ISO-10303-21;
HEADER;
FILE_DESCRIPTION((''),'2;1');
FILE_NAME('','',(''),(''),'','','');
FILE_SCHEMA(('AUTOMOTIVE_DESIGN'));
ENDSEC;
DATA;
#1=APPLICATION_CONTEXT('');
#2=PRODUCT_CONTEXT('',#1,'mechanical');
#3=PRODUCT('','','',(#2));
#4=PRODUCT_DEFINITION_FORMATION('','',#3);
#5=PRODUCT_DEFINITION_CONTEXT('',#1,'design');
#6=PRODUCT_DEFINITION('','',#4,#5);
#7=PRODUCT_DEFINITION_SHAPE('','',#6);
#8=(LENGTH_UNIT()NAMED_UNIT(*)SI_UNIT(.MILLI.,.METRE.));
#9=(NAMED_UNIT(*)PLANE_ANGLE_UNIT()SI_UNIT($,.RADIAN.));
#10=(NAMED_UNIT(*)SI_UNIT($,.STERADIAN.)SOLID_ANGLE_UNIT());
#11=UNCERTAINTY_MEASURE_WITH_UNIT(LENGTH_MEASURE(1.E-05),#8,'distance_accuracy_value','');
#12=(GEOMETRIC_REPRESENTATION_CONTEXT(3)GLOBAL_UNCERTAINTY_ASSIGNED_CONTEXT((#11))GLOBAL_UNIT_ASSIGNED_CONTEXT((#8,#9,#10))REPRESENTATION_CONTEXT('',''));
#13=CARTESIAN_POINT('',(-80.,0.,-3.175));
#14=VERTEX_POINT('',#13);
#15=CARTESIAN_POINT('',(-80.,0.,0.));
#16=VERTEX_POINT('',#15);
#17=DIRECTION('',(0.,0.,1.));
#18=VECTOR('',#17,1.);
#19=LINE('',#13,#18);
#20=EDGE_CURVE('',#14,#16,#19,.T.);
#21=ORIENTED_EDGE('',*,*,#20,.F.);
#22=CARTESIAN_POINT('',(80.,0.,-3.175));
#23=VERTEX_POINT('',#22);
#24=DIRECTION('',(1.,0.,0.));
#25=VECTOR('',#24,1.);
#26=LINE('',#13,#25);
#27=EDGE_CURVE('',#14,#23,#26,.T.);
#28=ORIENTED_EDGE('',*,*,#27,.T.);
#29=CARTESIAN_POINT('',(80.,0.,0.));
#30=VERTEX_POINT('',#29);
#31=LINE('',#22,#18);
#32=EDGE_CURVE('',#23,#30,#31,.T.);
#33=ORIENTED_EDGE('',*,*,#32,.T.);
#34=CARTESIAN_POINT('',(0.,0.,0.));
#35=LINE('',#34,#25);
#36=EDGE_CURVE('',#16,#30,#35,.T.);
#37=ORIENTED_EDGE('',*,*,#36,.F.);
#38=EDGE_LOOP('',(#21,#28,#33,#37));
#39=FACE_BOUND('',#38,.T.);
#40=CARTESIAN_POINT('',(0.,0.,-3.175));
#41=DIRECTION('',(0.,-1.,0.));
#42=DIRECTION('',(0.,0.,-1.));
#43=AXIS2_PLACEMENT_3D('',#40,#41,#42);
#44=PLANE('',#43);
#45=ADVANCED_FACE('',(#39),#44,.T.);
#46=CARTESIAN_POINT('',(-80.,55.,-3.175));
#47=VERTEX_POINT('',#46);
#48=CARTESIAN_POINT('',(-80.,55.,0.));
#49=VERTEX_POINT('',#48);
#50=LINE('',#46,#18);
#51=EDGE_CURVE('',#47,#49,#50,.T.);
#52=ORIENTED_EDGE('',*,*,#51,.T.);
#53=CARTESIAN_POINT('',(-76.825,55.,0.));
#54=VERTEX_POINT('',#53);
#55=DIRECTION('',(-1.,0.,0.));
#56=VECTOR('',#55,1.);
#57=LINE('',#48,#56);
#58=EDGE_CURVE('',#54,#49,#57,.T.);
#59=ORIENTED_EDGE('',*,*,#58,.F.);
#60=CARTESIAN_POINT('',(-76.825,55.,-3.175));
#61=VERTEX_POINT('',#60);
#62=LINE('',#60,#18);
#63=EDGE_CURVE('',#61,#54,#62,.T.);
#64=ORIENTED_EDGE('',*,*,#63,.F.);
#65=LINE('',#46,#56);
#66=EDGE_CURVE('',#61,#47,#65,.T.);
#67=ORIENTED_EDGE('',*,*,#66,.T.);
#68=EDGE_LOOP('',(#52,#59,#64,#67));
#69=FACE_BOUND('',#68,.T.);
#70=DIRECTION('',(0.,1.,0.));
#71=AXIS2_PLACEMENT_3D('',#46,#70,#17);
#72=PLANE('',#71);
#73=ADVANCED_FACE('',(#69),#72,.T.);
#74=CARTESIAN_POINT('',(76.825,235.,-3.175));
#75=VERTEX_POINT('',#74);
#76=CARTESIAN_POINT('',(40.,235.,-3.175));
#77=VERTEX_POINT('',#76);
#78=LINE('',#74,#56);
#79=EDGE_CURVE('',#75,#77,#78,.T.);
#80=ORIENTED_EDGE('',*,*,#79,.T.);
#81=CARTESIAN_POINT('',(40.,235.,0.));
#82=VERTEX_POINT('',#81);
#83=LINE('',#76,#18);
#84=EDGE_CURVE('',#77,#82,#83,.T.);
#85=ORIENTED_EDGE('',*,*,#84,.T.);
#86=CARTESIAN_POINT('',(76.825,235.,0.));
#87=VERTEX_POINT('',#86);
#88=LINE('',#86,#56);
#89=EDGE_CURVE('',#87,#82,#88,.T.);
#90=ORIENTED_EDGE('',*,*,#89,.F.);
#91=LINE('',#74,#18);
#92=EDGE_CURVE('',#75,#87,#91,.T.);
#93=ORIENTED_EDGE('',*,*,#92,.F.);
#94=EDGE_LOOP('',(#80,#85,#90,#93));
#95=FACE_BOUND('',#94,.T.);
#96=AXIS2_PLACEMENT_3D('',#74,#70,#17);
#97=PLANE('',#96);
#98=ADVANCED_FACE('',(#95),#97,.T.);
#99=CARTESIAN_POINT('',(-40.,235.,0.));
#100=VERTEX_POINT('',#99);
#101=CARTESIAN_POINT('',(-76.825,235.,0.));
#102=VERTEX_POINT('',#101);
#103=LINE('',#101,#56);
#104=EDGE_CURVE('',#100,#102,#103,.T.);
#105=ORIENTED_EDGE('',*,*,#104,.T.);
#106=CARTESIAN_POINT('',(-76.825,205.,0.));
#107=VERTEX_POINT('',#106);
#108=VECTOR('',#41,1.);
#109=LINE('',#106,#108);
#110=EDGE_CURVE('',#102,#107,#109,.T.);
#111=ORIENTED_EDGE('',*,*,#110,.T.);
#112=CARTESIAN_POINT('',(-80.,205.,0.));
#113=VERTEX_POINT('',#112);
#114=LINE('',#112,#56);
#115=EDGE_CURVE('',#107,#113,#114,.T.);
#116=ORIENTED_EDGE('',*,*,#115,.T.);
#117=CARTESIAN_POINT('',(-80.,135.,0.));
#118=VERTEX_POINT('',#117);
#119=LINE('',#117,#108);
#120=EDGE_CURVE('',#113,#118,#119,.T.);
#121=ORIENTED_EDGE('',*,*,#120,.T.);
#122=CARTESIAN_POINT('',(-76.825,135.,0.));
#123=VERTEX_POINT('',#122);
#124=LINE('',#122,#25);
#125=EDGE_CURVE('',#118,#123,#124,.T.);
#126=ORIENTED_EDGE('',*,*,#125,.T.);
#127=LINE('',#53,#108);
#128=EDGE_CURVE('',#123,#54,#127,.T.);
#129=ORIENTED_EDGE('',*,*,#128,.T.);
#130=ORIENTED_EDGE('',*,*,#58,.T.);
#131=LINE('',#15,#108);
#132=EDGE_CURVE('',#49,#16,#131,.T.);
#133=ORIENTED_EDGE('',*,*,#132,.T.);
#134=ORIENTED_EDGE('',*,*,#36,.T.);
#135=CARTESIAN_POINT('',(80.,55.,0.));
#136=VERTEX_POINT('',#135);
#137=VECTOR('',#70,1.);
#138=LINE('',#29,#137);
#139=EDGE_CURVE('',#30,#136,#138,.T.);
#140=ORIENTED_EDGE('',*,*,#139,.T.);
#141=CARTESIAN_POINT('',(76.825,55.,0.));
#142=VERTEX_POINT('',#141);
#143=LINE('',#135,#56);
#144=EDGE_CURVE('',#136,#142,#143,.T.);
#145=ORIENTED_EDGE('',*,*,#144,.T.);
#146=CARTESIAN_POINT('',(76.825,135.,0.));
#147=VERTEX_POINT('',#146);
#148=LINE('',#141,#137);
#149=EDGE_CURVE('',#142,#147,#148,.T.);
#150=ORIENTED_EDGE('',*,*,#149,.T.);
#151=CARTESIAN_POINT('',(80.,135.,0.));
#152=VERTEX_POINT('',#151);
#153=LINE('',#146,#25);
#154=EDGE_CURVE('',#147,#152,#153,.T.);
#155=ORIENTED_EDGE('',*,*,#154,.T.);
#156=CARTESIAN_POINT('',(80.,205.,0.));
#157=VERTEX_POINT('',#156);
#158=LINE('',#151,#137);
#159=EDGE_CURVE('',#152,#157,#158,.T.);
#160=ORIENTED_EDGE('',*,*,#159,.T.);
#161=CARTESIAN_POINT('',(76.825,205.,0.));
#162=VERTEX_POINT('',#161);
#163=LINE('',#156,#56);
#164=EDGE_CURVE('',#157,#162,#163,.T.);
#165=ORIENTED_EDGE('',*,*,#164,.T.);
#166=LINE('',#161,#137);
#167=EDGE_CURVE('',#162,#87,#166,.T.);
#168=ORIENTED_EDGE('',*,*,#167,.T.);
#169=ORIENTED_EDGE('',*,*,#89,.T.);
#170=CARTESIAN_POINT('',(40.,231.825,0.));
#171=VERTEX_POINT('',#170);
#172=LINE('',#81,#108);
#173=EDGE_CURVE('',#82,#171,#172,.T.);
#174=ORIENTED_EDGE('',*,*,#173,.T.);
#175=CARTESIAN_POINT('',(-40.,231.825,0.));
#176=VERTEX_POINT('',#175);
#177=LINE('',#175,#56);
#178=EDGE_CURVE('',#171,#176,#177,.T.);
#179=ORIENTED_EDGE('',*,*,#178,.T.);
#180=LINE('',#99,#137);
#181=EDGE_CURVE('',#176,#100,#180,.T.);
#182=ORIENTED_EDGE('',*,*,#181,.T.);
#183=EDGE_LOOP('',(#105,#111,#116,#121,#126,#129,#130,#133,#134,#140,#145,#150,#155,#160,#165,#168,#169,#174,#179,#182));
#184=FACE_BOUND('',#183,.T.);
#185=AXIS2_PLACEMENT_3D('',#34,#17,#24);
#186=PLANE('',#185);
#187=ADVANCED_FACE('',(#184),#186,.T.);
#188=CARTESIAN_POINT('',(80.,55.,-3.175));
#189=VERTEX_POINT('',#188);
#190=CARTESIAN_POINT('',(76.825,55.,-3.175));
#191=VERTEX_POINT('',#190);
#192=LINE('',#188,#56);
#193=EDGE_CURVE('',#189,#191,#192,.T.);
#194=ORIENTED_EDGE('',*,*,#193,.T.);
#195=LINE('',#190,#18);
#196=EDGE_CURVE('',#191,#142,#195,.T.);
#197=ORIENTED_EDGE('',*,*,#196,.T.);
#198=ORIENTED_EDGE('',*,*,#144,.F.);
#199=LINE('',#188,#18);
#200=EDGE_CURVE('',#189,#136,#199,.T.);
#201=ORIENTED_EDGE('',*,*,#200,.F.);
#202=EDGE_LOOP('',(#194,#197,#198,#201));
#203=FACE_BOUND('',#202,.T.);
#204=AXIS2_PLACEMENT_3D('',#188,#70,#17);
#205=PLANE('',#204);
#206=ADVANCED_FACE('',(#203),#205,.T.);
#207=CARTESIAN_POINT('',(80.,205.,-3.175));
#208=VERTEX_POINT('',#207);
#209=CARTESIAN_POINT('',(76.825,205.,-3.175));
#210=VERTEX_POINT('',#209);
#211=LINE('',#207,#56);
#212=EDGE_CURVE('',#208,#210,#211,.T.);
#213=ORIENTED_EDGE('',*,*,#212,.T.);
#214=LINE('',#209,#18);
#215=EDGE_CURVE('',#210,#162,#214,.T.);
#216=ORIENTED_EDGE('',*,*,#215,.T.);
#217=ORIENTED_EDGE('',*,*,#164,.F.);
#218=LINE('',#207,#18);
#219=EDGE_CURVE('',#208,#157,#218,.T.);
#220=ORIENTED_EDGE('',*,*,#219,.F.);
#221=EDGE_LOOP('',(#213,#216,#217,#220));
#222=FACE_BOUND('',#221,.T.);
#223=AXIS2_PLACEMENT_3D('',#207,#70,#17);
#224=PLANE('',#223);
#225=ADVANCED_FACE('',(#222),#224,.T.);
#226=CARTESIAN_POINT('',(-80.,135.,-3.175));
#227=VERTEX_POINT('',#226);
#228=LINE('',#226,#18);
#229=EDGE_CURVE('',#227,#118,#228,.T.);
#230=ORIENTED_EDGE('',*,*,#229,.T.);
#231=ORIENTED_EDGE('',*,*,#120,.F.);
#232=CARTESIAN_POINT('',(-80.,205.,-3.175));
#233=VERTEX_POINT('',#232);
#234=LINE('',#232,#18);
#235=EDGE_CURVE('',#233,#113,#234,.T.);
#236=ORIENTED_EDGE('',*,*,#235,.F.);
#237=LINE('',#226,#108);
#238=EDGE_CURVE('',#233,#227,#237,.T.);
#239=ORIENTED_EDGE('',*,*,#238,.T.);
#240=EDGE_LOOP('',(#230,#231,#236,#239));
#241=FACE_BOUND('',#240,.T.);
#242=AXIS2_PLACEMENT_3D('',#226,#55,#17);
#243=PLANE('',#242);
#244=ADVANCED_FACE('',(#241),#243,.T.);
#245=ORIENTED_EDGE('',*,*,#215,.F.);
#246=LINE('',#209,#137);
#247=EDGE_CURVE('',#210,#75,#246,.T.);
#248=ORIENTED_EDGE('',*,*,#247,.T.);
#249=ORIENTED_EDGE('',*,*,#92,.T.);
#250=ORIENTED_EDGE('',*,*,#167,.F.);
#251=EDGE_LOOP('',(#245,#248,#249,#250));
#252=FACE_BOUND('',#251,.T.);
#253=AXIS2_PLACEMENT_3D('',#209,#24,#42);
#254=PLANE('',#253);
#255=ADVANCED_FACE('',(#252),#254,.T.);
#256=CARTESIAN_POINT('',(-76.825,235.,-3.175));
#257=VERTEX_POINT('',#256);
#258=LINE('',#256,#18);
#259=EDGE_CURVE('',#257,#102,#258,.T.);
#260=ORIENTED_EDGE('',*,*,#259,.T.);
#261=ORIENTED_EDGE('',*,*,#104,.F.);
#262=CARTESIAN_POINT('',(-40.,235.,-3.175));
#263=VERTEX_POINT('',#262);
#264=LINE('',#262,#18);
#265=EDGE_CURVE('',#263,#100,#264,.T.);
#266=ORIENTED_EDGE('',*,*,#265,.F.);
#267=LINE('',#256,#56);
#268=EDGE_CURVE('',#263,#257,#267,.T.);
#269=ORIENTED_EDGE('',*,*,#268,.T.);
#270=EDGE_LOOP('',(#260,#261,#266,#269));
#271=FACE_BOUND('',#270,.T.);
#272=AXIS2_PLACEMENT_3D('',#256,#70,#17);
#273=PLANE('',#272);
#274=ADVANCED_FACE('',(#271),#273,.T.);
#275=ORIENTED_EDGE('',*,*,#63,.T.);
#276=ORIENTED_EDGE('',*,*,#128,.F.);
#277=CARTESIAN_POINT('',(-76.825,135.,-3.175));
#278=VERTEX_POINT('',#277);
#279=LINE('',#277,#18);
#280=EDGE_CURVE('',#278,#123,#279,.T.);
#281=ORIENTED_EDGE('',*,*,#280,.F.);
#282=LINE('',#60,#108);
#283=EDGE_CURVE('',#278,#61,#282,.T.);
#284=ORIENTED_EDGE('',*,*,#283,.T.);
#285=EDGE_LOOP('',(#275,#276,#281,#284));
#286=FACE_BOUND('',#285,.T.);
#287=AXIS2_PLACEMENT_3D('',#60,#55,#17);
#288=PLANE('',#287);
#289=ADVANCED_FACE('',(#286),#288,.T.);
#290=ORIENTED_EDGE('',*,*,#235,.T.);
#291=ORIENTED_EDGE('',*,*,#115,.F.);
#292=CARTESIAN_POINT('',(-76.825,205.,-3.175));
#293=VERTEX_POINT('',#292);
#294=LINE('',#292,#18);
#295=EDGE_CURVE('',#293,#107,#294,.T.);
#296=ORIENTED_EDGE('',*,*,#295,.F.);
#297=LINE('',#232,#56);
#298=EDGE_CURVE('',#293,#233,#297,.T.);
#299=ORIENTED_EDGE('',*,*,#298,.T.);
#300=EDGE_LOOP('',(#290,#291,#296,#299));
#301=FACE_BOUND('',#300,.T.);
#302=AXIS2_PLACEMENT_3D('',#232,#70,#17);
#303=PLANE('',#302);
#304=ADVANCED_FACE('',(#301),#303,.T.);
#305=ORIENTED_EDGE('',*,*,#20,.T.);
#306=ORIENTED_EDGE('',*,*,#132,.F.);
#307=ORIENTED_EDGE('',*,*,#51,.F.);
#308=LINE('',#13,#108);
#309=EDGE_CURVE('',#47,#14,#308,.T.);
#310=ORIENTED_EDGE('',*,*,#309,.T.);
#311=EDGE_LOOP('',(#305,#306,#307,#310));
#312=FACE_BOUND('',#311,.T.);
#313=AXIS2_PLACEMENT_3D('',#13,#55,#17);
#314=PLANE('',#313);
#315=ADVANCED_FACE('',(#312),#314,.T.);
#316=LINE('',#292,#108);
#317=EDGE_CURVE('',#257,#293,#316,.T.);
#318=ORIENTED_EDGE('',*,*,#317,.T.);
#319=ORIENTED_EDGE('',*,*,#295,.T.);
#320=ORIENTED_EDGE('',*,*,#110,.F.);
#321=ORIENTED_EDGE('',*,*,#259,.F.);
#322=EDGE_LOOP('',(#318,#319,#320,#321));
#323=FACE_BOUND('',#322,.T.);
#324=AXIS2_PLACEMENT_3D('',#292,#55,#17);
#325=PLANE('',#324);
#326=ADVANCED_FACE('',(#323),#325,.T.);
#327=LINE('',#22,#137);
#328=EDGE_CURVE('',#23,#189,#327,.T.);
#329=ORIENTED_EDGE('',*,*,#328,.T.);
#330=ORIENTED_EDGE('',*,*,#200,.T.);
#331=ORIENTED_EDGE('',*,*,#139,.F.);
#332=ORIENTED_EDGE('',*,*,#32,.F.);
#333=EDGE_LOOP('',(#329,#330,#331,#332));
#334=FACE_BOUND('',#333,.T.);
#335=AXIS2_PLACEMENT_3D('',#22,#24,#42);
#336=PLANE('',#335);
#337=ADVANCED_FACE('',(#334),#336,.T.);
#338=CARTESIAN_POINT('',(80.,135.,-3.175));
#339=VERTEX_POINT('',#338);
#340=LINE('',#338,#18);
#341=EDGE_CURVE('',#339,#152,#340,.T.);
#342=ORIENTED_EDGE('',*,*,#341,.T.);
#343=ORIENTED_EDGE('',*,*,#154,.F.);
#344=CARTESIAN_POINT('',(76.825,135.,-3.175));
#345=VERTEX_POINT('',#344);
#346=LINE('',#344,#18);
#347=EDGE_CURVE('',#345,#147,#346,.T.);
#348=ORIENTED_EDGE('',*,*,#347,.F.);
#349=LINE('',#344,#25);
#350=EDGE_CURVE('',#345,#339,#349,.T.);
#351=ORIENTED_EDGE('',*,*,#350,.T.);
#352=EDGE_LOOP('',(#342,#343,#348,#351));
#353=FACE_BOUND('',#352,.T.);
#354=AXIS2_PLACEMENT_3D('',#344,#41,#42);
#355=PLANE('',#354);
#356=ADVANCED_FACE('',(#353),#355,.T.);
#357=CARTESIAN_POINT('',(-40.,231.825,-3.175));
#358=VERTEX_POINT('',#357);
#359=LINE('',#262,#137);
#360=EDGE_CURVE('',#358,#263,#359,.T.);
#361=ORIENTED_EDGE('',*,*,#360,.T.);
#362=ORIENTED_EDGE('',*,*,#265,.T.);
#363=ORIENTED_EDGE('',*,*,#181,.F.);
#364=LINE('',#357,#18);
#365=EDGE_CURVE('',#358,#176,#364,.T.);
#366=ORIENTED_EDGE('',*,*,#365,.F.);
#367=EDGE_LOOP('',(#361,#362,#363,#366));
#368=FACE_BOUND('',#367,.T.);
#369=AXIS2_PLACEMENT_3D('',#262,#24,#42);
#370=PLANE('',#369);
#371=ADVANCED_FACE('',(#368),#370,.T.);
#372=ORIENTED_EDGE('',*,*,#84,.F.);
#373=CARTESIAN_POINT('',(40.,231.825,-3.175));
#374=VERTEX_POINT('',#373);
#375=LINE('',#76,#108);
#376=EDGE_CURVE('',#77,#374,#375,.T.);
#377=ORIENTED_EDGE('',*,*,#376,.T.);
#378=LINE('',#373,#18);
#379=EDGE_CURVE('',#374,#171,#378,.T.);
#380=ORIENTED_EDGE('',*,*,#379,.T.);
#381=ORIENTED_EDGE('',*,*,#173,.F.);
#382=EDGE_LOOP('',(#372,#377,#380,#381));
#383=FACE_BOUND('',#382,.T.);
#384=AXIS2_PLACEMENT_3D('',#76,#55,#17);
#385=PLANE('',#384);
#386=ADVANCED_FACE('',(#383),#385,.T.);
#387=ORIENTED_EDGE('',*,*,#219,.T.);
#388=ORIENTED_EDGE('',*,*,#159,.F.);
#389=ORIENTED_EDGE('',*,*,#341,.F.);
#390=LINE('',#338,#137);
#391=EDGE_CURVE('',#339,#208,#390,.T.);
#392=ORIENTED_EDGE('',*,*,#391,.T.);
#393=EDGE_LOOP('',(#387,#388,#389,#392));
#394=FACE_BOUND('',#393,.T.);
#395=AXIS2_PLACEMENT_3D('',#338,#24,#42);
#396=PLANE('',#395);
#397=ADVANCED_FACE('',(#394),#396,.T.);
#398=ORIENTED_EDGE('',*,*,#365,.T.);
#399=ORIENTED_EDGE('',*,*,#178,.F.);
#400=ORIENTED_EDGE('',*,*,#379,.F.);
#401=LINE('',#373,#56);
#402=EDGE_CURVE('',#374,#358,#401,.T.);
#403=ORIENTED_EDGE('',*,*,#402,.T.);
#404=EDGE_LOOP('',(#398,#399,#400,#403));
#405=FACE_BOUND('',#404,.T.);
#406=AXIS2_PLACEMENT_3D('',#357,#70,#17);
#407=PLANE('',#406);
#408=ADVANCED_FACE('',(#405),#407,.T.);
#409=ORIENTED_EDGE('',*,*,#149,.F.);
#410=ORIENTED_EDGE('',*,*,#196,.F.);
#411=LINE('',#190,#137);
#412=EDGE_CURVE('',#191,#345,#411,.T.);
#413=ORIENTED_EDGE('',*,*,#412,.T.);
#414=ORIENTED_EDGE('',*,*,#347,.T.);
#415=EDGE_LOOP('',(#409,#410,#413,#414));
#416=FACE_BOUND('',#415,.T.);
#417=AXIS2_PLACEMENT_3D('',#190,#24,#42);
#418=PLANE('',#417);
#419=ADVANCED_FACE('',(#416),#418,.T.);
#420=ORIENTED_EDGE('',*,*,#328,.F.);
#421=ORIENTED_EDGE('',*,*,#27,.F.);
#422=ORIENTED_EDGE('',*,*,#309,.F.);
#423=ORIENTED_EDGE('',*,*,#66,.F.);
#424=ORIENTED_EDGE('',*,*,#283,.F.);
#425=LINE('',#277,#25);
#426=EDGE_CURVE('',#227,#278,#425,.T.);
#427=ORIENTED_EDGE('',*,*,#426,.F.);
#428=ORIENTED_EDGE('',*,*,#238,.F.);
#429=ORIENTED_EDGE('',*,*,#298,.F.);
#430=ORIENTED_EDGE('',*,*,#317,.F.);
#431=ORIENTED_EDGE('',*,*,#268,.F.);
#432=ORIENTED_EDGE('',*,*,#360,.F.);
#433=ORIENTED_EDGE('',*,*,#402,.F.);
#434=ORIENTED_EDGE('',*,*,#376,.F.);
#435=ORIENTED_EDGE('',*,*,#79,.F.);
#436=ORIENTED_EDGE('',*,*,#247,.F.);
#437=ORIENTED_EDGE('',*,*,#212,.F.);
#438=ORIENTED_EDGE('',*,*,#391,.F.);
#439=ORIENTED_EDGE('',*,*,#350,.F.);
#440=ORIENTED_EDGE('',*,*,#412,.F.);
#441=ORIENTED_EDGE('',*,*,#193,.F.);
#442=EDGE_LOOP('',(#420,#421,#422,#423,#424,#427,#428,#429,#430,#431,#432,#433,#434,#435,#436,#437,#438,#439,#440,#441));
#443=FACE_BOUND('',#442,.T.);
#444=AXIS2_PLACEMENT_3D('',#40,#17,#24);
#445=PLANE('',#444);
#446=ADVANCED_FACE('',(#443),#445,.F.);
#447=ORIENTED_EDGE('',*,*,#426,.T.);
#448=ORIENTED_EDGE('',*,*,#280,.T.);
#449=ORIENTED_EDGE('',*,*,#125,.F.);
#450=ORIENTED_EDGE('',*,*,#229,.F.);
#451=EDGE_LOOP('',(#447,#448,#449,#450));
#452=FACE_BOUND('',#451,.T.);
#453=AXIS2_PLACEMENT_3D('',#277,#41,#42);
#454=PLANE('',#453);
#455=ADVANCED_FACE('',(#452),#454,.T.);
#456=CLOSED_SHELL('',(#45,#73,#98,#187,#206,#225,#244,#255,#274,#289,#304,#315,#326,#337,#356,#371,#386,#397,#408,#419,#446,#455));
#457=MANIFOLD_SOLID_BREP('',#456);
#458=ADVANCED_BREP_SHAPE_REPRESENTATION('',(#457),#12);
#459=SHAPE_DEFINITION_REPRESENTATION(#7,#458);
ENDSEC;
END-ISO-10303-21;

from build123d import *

# Parameters (mm, degrees)
BOSS_EXTRUDE1_DEPTH = 3.175


with BuildPart() as part:
    # Sketch1 → Boss-Extrude1 (new body)
    with BuildSketch(Plane.XY):
        Polygon((0, 0), (80, 0), (80, 55), (76.825, 55), (76.825, 135), (80, 135), (80, 205), (76.825, 205), (76.825, 235), (40, 235), (40, 231.825), (0, 231.825), (-40, 231.825), (-40, 235), (-76.825, 235), (-76.825, 205), (-80, 205), (-80, 135), (-76.825, 135), (-76.825, 55), (-80, 55), (-80, 0), align=None)
    extrude(amount=-BOSS_EXTRUDE1_DEPTH)


solid = part.part
